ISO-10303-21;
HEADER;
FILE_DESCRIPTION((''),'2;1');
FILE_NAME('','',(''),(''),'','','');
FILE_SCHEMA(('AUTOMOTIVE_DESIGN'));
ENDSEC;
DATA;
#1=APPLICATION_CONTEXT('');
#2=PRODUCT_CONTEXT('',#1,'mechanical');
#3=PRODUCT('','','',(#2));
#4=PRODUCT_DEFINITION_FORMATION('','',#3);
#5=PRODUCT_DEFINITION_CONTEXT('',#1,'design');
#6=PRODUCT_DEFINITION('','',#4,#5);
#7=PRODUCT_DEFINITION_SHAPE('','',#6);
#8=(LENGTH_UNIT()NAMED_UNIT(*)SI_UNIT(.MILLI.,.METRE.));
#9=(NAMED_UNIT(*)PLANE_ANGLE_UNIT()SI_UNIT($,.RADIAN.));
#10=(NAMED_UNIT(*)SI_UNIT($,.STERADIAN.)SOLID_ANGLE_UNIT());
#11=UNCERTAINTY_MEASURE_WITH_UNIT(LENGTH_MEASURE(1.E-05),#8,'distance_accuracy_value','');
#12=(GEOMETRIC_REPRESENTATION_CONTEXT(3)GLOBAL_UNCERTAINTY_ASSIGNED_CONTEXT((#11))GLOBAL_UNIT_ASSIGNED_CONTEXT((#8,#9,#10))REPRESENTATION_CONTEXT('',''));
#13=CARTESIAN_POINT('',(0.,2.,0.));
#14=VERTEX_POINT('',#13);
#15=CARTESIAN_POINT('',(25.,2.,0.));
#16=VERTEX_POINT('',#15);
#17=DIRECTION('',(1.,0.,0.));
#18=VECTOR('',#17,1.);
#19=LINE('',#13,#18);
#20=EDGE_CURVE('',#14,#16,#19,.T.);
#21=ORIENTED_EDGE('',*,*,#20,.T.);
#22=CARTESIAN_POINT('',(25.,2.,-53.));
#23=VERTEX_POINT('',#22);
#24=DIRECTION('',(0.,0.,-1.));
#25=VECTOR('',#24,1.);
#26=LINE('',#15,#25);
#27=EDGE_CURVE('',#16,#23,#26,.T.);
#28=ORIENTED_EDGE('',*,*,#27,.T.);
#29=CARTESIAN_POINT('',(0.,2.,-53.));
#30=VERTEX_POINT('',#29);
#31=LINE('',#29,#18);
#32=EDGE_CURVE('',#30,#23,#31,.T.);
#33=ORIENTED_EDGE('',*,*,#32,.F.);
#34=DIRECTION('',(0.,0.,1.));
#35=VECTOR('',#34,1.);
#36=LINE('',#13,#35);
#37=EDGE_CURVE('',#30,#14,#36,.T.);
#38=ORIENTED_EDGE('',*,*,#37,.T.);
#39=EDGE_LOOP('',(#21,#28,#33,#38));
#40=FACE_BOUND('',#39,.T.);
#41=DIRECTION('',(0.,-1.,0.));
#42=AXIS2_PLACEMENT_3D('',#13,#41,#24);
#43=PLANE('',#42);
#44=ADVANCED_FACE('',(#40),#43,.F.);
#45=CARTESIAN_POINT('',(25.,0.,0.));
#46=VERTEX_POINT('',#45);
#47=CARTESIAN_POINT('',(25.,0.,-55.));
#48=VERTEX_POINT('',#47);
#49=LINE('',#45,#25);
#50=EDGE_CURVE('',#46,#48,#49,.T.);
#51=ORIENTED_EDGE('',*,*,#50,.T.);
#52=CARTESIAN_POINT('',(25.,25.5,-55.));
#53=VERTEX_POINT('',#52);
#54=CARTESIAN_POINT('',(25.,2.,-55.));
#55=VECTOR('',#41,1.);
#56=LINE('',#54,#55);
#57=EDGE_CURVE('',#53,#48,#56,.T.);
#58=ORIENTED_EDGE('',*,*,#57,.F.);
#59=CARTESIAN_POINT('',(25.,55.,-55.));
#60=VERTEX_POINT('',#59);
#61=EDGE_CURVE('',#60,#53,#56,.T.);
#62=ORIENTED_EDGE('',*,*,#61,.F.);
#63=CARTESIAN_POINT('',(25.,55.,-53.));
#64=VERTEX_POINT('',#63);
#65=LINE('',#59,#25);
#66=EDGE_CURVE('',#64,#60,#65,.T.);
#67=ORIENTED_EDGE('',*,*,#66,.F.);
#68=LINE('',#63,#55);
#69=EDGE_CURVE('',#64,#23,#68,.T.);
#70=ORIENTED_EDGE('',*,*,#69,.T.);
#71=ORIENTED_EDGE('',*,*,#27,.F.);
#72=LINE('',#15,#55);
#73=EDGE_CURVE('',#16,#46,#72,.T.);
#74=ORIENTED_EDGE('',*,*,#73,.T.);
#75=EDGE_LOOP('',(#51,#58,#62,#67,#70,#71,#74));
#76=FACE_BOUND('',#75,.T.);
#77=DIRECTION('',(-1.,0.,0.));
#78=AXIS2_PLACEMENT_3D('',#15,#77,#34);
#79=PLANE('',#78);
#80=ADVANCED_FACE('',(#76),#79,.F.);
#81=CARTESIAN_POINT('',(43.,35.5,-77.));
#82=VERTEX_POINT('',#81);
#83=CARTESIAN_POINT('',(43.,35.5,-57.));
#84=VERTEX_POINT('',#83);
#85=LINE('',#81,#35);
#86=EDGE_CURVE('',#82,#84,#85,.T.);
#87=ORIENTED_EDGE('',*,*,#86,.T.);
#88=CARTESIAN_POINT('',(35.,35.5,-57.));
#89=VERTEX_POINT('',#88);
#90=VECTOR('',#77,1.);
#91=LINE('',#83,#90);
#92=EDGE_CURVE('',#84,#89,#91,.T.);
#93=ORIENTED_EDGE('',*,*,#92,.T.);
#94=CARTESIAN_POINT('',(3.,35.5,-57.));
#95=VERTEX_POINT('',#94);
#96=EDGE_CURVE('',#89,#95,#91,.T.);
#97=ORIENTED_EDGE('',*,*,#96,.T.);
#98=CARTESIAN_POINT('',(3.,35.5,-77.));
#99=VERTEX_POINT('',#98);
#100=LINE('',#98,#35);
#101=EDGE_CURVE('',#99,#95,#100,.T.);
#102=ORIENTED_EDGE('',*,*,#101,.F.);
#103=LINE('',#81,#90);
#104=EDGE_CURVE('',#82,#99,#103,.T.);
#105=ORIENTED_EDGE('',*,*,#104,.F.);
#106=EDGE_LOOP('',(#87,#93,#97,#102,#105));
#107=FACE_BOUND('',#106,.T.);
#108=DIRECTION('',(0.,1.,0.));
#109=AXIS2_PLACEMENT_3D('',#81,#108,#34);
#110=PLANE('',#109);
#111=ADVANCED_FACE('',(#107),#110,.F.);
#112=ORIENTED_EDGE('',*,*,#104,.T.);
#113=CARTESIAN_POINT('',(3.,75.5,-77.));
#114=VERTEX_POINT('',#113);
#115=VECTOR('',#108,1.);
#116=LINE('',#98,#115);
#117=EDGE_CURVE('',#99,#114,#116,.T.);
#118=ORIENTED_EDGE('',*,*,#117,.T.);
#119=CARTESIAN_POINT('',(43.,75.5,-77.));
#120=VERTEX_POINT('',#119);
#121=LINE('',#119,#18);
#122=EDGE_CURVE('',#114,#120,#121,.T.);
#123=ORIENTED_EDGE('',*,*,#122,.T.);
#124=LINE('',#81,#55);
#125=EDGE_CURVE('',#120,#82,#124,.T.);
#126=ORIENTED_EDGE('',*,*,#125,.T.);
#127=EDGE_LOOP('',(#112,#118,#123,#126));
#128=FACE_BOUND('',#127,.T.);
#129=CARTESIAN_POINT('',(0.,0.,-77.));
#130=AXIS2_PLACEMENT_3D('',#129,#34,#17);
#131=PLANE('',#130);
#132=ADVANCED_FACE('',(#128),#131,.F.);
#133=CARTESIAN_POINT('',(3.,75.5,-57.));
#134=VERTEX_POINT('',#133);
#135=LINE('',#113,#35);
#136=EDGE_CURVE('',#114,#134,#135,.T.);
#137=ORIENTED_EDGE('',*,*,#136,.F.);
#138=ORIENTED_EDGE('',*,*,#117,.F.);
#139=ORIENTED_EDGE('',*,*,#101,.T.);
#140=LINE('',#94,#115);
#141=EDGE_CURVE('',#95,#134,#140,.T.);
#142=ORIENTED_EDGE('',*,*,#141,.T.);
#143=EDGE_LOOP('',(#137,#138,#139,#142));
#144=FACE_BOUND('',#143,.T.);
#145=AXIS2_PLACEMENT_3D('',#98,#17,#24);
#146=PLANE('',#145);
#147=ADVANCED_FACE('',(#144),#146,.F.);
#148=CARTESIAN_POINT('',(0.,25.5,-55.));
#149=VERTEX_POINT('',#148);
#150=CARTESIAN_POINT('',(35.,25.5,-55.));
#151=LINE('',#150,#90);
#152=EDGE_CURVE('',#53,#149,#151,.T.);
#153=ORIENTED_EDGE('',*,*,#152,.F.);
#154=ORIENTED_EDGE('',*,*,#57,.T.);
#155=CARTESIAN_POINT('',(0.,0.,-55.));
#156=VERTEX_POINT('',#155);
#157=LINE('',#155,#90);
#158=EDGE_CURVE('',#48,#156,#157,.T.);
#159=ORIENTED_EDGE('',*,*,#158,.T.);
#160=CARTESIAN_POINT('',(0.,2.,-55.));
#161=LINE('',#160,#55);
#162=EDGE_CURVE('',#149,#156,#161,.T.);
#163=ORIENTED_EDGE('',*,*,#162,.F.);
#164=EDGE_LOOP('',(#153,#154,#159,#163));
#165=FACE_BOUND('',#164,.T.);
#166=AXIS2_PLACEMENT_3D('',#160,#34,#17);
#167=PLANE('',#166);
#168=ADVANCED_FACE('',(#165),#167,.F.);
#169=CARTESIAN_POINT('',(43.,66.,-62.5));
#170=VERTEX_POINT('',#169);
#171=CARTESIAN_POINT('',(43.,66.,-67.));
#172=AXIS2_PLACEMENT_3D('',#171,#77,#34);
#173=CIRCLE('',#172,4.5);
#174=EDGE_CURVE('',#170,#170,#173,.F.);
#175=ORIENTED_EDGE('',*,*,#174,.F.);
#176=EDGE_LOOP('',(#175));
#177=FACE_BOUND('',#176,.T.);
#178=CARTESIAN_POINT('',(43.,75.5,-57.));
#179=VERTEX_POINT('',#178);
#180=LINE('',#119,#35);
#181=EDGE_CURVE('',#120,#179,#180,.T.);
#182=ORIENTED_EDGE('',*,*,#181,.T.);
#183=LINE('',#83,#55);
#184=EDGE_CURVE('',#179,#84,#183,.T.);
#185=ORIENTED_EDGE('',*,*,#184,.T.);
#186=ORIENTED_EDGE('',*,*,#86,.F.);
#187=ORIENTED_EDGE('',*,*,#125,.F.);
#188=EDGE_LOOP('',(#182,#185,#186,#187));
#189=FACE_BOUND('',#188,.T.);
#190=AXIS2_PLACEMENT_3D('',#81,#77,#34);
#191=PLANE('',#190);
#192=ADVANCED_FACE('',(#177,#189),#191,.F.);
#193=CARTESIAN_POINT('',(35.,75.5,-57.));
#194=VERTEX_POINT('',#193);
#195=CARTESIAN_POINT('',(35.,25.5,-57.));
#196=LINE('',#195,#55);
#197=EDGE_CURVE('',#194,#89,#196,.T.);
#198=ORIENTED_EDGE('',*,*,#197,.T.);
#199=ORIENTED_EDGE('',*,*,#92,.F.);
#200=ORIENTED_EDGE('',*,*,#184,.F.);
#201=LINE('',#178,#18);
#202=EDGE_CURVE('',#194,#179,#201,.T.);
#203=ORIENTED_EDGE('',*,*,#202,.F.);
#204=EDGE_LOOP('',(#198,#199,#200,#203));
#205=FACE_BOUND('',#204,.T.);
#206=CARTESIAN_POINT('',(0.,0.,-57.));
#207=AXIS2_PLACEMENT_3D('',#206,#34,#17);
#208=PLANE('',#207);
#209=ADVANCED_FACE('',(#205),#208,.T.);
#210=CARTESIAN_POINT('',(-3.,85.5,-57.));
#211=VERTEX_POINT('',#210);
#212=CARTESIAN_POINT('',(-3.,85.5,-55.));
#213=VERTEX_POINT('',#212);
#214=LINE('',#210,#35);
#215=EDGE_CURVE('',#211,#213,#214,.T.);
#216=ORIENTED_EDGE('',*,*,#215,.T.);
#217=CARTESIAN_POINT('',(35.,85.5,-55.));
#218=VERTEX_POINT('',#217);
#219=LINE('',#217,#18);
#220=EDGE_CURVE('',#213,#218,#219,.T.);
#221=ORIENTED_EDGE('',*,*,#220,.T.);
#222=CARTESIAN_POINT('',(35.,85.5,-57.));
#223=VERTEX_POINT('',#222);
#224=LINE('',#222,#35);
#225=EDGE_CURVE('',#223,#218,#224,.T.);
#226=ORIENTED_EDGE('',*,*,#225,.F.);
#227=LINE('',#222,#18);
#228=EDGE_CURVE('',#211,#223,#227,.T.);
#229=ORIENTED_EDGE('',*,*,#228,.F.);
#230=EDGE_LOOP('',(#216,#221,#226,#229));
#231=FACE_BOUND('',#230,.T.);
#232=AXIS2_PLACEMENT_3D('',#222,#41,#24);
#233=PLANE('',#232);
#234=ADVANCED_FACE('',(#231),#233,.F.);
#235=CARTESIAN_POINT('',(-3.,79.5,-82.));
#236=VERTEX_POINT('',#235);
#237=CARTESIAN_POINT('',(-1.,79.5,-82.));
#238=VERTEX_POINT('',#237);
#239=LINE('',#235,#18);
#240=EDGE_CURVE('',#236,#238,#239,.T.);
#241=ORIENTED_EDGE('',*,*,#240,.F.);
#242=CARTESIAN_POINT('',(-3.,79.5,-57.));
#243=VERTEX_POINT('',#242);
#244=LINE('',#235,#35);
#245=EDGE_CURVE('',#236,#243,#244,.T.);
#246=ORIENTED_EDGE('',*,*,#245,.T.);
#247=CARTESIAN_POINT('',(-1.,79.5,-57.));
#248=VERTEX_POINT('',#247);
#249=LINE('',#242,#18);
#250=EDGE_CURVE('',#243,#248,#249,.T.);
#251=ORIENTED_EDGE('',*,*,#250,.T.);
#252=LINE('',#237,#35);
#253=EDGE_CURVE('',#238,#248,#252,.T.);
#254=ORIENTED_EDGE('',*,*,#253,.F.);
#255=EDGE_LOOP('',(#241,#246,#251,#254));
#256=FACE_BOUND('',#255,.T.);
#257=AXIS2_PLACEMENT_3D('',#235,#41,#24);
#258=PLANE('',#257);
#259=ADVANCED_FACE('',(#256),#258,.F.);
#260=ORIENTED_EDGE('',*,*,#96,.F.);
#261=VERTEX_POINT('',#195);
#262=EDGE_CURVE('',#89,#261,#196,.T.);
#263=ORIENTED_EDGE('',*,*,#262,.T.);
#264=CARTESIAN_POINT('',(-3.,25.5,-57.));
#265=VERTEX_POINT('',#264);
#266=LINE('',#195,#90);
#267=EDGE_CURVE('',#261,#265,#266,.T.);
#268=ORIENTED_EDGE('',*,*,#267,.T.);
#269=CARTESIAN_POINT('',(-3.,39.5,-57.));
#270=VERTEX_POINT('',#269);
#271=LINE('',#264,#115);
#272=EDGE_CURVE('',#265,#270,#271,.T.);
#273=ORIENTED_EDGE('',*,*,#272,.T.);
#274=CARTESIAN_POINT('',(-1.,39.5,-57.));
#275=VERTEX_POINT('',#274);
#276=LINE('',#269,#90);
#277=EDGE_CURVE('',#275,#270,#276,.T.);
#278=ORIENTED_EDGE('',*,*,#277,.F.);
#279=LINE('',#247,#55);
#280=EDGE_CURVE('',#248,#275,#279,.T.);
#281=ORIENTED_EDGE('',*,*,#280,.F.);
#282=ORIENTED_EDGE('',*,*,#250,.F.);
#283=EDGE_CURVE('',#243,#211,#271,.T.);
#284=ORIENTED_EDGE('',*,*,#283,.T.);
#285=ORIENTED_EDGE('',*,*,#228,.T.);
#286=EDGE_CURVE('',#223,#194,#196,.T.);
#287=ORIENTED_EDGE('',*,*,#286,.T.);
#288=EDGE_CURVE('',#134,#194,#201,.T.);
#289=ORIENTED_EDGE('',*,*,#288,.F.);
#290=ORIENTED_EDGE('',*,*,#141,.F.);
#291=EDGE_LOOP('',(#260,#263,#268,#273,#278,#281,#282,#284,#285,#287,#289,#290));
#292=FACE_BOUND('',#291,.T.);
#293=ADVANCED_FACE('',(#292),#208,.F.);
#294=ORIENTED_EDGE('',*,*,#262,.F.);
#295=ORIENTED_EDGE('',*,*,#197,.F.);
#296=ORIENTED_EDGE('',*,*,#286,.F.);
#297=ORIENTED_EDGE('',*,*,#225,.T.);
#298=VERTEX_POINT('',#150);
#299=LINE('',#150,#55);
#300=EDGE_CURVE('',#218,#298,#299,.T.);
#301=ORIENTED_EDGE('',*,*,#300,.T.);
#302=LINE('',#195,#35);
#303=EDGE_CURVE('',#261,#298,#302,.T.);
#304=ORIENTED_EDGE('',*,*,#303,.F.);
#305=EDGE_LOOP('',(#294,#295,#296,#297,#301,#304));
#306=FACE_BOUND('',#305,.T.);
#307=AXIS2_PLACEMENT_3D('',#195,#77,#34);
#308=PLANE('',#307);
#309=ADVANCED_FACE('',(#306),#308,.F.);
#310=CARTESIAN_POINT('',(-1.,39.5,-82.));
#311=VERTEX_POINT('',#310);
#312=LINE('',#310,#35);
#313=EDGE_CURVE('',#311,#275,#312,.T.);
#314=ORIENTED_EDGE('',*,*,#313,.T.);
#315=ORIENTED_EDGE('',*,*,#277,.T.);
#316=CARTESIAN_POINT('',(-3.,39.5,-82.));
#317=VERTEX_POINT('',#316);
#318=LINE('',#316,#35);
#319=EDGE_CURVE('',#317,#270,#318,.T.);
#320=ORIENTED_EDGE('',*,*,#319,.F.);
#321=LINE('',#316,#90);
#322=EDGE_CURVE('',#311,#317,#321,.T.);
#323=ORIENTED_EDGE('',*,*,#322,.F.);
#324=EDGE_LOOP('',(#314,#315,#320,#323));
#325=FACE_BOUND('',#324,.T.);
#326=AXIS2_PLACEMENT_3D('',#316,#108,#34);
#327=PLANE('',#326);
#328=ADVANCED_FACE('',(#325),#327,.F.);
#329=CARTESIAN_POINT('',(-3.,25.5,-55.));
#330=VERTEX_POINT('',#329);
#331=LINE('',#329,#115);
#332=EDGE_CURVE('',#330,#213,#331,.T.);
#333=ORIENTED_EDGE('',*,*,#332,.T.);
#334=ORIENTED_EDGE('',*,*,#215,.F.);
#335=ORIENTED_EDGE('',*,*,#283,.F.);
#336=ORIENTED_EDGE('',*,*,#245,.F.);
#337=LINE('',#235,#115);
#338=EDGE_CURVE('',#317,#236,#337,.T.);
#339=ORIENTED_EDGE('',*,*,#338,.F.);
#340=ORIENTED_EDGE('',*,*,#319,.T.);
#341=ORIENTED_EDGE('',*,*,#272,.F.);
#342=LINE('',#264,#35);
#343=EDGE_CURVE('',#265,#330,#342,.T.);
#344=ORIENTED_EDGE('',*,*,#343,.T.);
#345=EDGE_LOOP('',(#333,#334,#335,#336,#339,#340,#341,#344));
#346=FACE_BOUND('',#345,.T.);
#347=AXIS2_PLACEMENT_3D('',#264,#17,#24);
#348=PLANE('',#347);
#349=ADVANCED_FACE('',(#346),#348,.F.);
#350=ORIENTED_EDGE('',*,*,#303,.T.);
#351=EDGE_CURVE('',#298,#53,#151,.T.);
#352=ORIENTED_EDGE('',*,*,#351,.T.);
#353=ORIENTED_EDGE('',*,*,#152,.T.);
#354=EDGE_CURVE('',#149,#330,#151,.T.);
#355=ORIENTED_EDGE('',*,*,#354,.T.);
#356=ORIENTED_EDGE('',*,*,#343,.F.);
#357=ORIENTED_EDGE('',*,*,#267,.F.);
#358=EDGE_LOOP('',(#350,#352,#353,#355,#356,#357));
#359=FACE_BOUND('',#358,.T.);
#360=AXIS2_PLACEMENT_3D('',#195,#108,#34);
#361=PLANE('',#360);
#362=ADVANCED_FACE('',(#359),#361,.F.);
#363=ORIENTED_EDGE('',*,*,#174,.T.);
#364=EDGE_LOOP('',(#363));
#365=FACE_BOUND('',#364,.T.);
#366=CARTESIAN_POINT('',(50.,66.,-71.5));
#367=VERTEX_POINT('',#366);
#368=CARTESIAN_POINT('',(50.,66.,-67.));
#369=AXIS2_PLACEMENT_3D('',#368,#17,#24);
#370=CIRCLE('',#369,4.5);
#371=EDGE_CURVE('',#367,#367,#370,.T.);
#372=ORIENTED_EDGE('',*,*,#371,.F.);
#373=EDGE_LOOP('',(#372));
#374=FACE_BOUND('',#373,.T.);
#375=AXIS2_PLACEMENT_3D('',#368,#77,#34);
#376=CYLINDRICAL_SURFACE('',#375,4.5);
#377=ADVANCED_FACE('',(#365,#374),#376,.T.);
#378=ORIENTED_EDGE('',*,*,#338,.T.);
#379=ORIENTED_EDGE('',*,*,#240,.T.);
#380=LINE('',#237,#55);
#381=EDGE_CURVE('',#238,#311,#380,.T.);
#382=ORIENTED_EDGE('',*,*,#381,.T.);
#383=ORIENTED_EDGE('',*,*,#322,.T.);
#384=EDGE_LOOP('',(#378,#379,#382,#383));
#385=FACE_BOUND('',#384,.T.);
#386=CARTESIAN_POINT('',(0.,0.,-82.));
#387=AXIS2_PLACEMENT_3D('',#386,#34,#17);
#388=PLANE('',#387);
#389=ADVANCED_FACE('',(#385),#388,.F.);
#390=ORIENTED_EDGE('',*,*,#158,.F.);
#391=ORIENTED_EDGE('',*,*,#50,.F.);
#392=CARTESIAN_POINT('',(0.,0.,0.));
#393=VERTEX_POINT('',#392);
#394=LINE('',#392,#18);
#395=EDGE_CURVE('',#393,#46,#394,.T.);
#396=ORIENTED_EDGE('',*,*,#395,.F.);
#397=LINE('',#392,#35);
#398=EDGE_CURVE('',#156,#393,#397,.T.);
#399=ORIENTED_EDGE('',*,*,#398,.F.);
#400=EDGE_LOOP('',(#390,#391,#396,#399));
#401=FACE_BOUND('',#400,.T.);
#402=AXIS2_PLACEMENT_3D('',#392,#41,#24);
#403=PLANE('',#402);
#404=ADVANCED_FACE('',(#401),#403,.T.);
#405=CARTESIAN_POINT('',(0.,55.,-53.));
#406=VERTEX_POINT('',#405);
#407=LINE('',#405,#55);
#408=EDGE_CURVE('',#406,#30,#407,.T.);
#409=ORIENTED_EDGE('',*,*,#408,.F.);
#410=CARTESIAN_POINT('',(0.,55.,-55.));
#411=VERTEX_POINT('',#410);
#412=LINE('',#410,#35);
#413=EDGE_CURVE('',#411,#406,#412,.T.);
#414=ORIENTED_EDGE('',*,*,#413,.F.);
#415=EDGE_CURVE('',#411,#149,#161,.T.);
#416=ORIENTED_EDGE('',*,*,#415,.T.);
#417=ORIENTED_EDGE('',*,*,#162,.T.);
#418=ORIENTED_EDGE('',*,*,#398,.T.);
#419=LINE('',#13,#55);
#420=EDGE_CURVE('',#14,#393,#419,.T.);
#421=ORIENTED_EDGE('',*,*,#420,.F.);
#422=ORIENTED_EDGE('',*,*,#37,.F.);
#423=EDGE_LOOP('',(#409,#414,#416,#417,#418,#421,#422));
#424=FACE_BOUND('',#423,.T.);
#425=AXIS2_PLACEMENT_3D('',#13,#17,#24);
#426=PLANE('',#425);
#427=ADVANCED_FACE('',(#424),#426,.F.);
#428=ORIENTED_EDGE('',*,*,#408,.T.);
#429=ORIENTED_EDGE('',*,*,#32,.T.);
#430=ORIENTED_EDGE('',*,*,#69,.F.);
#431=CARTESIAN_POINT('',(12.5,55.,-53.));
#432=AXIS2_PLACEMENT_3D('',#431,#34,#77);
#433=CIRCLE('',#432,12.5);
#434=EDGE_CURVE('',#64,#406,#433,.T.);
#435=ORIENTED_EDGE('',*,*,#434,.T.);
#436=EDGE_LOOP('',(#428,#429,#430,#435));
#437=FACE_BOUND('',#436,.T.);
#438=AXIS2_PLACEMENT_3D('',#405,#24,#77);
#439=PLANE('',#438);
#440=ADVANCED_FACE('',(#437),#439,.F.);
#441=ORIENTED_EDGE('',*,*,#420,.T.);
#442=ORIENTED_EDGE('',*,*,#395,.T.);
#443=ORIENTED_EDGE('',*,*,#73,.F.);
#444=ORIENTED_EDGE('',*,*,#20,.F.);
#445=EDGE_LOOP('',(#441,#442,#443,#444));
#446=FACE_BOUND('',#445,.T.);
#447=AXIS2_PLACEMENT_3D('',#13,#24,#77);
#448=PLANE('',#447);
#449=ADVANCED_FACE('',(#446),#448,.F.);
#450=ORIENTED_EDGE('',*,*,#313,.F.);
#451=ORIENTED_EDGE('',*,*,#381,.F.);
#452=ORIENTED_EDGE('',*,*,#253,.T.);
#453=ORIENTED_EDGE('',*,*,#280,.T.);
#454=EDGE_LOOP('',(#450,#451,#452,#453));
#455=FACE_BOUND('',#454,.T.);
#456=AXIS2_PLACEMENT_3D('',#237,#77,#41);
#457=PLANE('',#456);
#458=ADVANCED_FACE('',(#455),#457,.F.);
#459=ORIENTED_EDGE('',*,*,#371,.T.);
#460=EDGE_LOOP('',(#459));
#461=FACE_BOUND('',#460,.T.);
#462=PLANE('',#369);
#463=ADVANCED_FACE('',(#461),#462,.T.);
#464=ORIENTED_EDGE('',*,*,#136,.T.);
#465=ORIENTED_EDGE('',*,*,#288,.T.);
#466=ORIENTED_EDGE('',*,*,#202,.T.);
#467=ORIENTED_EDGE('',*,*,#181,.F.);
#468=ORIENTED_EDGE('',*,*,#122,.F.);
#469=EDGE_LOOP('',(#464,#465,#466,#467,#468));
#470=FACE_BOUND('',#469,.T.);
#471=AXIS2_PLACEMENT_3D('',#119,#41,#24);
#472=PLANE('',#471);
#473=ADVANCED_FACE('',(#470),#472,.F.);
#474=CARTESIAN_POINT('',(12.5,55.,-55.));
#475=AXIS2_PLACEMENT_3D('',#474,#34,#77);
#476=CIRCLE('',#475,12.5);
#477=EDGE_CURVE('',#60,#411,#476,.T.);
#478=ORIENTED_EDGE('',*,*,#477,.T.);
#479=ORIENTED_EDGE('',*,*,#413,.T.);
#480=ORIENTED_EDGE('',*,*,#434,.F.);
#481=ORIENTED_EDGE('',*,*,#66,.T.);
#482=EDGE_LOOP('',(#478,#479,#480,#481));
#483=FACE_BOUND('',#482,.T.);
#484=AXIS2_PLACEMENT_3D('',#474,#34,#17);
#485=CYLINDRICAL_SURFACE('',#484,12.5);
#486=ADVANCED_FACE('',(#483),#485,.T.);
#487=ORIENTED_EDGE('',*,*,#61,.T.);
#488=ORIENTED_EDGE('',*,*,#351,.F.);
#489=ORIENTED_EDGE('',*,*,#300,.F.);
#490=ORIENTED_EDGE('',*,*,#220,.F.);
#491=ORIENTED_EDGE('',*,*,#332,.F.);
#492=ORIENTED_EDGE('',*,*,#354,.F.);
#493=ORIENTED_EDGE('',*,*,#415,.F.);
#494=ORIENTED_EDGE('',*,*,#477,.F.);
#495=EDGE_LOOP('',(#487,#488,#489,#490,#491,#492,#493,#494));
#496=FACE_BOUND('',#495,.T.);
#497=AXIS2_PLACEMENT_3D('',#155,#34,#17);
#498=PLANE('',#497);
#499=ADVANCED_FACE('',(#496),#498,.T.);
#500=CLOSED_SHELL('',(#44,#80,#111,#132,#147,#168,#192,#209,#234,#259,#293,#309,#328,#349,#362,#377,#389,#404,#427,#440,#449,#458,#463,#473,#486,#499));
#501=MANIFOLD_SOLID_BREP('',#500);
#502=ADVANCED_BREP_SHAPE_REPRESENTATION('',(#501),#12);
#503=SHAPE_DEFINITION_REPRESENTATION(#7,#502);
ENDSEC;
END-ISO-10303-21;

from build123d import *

# Parameters (mm, degrees)
ESQUISSE1_W        = 25
ESQUISSE1_H        = 55
BOSS_EXTRU_1_DEPTH = 2
ESQUISSE2_W        = 25
ESQUISSE2_H        = 2
BOSS_EXTRU_2_DEPTH = 53
BOSS_EXTRU_3_DEPTH = 2
ESQUISSE6_W        = 38
ESQUISSE6_H        = 60
BOSS_EXTRU_4_DEPTH = 2
ESQUISSE7_W        = 40
ESQUISSE7_H        = 40
BOSS_EXTRU_5_DEPTH = 20
ESQUISSE9_W        = 2
ESQUISSE9_H        = 40
BOSS_EXTRU_6_DEPTH = 25
ESQUISSE8_R        = 4.5
BOSS_EXTRU_7_DEPTH = 7


with BuildPart() as part:
    # Esquisse1 → Boss.-Extru.1 (new body)
    with BuildSketch(Plane(origin=(0, 0, 0), x_dir=(1, 0, 0), z_dir=(0, 1, 0))):
        with Locations((12.5, 27.5)):
            Rectangle(ESQUISSE1_W, ESQUISSE1_H)
    extrude(amount=BOSS_EXTRU_1_DEPTH)

    # Esquisse2 → Boss.-Extru.2 (add)
    with BuildSketch(Plane(origin=(0, 2, 0), x_dir=(1, 0, 0), z_dir=(0, 1, 0))):
        with Locations((12.5, 54)):
            Rectangle(ESQUISSE2_W, ESQUISSE2_H)
    extrude(amount=BOSS_EXTRU_2_DEPTH)

    # Esquisse3 → Boss.-Extru.3 (add)
    with BuildSketch(Plane.XY.offset(-53)):
        with BuildLine():
            Line((0, 2), (25, 2))
            Line((25, 2), (25, 55))
            ThreePointArc((25, 55), (12.5, 67.5), (0, 55))
            Line((0, 55), (0, 2))
        make_face()
    extrude(amount=-BOSS_EXTRU_3_DEPTH)

    # Esquisse6 → Boss.-Extru.4 (add)
    with BuildSketch(Plane(origin=(0, 0, -55), x_dir=(-1, 0, 0), z_dir=(0, 0, -1))):
        with Locations((-16, 55.5)):
            Rectangle(ESQUISSE6_W, ESQUISSE6_H)
    extrude(amount=BOSS_EXTRU_4_DEPTH)

    # Esquisse7 → Boss.-Extru.5 (add)
    with BuildSketch(Plane(origin=(0, 0, -57), x_dir=(-1, 0, 0), z_dir=(0, 0, -1))):
        with Locations((-23, 55.5)):
            Rectangle(ESQUISSE7_W, ESQUISSE7_H)
    extrude(amount=BOSS_EXTRU_5_DEPTH)

    # Esquisse9 → Boss.-Extru.6 (add)
    with BuildSketch(Plane(origin=(0, 0, -57), x_dir=(-1, 0, 0), z_dir=(0, 0, -1))):
        with Locations((2, 59.5)):
            Rectangle(ESQUISSE9_W, ESQUISSE9_H)
    extrude(amount=BOSS_EXTRU_6_DEPTH)

    # Esquisse8 → Boss.-Extru.7 (add)
    with BuildSketch(Plane(origin=(43, 0, 0), x_dir=(0, 0, -1), z_dir=(1, 0, 0))):
        with Locations(Location((67, 66, 0), (0, 0, 180))):
            Circle(ESQUISSE8_R)
    extrude(amount=BOSS_EXTRU_7_DEPTH)


solid = part.part
